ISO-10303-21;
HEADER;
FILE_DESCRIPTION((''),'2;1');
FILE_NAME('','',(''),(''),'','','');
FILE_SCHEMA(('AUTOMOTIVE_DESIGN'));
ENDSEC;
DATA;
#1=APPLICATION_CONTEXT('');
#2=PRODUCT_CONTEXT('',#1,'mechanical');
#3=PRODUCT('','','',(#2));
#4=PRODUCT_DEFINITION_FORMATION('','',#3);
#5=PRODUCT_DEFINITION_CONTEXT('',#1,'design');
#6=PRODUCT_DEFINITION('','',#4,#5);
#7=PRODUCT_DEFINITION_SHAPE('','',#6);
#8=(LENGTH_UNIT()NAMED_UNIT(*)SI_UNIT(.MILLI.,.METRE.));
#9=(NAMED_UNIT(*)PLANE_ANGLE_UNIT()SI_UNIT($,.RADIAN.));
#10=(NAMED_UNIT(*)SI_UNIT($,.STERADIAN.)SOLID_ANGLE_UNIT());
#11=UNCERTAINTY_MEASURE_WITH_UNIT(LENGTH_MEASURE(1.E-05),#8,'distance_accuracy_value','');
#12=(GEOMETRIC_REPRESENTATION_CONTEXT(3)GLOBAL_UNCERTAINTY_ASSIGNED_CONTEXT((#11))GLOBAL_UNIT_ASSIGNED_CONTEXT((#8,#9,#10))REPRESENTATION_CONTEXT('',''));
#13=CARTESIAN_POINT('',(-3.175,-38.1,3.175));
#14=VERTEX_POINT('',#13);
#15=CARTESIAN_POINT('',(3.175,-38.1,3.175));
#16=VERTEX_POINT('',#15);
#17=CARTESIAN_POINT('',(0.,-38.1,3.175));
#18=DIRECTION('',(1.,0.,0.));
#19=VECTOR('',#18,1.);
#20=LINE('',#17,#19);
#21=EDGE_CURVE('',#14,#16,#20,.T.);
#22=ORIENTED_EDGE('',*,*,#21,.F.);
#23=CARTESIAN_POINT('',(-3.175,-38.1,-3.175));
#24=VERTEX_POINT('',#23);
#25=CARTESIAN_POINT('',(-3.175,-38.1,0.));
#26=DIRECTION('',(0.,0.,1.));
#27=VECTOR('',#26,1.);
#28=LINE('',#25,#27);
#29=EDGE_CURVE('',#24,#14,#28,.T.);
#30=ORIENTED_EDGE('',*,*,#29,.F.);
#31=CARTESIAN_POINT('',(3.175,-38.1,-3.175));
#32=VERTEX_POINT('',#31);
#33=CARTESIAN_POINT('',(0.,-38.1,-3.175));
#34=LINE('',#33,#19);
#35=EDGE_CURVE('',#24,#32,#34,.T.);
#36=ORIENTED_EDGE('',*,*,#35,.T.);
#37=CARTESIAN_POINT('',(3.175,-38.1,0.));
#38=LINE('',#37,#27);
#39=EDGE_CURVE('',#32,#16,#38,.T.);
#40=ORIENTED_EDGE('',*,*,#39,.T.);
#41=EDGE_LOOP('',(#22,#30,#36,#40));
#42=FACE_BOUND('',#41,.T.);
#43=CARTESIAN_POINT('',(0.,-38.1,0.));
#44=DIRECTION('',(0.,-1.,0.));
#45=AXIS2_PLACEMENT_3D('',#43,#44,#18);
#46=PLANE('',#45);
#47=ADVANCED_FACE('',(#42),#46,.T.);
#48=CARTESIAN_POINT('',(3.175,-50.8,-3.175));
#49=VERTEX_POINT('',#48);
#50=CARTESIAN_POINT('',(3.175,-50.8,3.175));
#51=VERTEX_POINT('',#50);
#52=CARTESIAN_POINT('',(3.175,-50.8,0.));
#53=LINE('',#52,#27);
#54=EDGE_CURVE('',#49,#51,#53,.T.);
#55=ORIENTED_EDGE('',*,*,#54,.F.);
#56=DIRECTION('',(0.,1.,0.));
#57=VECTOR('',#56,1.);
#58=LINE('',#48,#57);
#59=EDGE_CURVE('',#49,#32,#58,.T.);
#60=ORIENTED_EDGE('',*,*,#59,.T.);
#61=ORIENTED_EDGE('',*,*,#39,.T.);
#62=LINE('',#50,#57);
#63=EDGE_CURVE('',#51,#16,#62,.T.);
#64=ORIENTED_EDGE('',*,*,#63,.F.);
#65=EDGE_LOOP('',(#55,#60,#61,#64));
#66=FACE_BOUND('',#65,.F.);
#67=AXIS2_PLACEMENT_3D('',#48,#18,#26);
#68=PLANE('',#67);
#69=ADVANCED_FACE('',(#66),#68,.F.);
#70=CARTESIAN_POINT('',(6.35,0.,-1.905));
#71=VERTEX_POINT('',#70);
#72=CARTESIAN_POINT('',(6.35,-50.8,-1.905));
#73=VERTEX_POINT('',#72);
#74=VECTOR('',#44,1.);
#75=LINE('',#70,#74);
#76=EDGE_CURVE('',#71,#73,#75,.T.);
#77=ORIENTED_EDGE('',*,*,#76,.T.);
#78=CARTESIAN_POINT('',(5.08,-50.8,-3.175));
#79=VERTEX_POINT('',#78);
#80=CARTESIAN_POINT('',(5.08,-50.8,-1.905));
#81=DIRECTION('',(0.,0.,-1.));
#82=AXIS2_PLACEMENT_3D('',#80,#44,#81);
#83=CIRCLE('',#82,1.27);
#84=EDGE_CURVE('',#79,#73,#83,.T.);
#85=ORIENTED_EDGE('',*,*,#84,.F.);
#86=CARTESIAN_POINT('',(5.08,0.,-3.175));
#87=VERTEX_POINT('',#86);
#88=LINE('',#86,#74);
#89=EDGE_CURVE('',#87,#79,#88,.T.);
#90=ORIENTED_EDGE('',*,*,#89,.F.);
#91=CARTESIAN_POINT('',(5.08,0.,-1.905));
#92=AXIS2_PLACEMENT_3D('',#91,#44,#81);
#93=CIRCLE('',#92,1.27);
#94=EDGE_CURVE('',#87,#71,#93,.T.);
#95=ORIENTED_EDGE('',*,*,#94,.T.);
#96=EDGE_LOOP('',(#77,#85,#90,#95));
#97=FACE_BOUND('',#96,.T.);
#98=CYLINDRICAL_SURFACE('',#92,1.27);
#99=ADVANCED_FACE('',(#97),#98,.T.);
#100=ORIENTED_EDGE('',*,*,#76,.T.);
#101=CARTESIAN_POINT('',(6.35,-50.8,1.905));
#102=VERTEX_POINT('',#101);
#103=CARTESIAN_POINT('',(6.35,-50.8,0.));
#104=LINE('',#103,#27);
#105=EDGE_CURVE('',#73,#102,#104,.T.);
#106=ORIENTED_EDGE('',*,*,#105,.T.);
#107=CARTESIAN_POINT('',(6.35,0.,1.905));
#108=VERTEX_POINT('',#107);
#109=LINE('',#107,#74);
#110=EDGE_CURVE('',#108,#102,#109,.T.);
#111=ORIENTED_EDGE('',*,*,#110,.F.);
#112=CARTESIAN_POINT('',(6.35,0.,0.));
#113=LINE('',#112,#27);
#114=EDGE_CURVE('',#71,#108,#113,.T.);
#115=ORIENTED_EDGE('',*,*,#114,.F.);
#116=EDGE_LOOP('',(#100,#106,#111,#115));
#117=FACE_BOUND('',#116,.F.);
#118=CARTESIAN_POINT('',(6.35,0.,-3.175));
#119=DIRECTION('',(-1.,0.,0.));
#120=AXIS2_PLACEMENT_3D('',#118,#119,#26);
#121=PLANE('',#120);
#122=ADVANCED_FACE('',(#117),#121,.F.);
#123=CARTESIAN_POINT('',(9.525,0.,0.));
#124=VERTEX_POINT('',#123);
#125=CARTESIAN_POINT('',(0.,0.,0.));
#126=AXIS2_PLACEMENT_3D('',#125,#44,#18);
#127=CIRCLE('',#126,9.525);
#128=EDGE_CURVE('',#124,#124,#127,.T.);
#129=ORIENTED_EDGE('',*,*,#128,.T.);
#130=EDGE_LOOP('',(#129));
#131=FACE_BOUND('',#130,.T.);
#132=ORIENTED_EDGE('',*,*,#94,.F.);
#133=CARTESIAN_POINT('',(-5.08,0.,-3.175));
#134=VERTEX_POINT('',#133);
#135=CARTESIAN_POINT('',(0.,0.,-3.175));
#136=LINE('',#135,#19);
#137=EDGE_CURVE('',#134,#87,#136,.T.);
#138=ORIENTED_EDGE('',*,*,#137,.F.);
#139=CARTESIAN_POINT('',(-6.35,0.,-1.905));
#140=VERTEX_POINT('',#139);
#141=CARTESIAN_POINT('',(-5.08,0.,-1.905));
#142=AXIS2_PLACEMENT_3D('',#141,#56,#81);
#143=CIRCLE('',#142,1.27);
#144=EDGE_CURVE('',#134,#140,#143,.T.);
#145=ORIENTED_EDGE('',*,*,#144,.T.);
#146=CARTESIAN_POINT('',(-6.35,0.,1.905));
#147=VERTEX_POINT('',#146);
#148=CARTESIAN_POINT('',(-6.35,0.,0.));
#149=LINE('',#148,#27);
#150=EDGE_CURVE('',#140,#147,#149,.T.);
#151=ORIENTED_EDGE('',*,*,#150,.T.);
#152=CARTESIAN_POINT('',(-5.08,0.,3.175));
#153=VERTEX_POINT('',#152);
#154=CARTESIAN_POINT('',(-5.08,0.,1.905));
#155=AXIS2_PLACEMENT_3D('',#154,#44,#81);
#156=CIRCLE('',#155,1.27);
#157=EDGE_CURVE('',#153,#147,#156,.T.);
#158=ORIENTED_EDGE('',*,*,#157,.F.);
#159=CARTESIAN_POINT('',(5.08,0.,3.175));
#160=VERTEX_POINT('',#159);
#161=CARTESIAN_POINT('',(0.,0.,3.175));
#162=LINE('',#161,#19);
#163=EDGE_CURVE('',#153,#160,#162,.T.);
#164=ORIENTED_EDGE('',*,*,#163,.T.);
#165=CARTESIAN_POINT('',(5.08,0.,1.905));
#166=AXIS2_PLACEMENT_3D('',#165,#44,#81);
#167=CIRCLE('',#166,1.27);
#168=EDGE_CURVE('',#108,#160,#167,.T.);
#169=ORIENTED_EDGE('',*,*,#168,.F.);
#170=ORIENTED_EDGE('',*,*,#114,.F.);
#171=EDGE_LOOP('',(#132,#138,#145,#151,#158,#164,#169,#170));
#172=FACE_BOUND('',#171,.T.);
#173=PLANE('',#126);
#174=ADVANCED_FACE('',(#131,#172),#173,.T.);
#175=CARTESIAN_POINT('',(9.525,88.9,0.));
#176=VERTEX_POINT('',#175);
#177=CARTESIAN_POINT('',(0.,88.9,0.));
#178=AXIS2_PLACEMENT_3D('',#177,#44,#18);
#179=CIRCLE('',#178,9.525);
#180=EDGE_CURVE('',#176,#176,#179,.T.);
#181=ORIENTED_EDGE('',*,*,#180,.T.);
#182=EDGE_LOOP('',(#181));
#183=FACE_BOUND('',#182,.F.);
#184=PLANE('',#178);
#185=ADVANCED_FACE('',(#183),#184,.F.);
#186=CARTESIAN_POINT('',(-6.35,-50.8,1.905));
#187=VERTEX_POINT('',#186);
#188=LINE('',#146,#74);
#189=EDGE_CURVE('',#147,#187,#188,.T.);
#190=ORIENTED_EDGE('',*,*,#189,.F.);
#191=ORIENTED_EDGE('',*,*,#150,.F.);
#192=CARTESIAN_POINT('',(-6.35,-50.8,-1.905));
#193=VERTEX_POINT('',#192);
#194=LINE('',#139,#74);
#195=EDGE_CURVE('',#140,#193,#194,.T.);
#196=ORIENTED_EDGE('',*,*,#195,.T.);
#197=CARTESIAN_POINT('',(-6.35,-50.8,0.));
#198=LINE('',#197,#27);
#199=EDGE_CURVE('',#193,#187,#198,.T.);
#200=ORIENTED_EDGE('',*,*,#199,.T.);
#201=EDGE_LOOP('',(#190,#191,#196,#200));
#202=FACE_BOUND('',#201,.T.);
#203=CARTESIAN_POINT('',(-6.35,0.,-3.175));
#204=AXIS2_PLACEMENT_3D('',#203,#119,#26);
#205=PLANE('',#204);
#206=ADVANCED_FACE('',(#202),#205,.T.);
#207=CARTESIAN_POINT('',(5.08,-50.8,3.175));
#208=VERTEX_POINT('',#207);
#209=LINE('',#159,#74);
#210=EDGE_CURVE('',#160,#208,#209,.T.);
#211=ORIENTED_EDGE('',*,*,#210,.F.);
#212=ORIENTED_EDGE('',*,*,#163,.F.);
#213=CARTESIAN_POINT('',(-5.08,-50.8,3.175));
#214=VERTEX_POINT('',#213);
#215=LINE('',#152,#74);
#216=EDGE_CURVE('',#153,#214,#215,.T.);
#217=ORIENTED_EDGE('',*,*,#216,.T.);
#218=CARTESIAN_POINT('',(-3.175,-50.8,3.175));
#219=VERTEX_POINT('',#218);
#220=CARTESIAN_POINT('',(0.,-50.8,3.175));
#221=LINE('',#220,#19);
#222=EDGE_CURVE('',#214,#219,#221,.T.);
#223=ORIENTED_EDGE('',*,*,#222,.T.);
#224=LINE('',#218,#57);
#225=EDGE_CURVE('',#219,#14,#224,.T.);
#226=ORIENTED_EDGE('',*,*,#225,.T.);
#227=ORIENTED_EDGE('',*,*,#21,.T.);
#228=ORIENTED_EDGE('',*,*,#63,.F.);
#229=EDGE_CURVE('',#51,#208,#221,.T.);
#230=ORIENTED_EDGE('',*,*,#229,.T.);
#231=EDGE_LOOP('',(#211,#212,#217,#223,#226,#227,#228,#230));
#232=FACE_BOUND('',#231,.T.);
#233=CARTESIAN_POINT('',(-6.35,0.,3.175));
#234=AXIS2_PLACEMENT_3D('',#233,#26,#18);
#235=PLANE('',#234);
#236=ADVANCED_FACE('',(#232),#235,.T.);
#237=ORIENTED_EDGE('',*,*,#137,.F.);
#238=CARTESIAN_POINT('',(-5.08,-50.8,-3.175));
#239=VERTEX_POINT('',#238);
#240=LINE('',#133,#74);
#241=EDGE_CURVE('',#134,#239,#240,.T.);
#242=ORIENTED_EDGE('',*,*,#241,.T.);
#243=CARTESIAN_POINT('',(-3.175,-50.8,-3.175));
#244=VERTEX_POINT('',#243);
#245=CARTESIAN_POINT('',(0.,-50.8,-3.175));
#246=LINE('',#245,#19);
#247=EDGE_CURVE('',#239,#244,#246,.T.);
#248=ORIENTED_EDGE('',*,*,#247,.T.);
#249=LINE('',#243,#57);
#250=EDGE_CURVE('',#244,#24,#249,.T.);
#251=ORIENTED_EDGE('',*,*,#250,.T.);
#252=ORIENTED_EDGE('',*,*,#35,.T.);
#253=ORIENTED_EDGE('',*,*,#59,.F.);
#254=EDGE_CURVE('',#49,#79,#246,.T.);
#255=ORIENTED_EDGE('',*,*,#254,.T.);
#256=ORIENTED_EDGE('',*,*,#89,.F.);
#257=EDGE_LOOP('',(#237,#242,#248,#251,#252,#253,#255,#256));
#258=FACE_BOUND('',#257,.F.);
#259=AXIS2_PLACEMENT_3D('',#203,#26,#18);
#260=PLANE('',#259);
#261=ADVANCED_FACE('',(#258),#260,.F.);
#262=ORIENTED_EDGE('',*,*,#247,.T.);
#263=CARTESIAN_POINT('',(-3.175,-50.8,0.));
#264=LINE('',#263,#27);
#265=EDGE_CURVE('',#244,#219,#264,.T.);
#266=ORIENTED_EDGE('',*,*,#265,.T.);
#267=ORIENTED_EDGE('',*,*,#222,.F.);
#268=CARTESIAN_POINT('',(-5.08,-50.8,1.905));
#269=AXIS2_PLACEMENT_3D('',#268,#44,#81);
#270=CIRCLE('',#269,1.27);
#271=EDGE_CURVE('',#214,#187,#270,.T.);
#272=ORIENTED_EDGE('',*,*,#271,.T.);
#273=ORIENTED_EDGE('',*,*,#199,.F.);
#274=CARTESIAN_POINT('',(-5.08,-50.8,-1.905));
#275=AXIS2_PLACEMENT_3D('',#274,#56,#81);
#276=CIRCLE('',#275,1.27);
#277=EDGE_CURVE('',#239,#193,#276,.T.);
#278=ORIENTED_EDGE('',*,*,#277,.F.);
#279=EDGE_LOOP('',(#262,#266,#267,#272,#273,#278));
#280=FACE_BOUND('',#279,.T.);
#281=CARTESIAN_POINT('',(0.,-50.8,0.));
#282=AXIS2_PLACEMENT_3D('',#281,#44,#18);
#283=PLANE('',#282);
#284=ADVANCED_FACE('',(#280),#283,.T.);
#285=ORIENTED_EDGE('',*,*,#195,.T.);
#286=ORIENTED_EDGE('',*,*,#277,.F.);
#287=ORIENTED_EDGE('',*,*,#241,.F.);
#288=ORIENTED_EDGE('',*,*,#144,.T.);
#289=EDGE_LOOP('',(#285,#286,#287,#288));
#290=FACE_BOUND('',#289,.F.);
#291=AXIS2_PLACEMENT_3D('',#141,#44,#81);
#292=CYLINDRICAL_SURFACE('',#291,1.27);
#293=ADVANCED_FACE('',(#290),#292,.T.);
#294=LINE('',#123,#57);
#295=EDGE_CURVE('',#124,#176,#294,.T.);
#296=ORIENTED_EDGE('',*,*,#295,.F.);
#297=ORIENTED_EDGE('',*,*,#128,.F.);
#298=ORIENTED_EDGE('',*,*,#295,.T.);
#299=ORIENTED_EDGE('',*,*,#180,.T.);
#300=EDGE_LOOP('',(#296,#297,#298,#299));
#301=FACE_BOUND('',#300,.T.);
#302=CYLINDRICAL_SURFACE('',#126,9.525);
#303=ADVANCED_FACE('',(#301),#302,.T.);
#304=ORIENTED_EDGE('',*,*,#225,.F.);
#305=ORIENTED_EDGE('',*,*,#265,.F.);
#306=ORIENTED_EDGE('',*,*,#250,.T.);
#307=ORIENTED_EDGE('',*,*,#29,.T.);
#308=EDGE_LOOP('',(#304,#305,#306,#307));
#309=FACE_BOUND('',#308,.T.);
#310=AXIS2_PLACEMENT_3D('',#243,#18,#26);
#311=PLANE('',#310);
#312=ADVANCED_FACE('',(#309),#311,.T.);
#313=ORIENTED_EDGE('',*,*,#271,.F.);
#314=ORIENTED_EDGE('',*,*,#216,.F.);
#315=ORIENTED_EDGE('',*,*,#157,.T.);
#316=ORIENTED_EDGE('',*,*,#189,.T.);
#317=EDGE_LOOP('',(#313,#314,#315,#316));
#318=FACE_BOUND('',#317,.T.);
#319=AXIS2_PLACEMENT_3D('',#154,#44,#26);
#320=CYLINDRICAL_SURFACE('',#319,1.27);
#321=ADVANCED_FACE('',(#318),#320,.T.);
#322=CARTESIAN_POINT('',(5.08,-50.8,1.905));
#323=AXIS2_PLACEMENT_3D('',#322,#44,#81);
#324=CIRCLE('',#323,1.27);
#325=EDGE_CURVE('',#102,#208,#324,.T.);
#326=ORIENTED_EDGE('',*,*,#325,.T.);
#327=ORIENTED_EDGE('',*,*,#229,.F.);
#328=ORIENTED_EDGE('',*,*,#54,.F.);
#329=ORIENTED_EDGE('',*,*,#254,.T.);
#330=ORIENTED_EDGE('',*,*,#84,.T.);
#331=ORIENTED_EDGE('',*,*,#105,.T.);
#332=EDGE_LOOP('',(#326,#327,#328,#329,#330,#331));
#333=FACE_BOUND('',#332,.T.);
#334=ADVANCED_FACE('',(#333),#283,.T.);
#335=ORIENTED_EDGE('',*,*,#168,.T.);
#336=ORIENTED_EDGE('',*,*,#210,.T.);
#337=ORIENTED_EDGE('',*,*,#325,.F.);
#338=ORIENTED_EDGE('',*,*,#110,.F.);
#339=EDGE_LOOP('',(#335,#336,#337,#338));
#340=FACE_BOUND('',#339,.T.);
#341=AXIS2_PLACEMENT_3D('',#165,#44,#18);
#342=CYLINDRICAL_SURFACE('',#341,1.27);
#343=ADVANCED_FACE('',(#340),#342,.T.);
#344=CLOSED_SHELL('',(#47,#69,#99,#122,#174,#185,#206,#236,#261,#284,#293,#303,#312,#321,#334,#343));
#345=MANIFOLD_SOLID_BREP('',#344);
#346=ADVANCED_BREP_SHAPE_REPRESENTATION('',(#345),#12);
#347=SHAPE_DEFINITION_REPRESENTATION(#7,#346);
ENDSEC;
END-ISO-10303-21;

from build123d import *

# Parameters (mm, degrees)
F0_R     = 9.525
F1_DEPTH = 88.9
F2_W     = 12.7
F2_H     = 6.35
F3_DEPTH = 50.8
F4_W     = 6.35
F4_H     = 6.35
F5_DEPTH = 12.7
F6_R     = 1.27


with BuildPart() as f1:
    # F0 (on Front) → F1 (new body)
    with BuildSketch(Plane.XZ):
        Circle(F0_R)
    extrude(amount=-F1_DEPTH)

    # F2 (on face) → F3 (join)
    with BuildSketch(Plane.XZ):
        Rectangle(F2_W, F2_H)
    extrude(amount=F3_DEPTH)

    # F4 (on face) → F5 (cut)
    with BuildSketch(Plane.XZ.offset(50.8)):
        Rectangle(F4_W, F4_H)
    extrude(amount=-F5_DEPTH, mode=Mode.SUBTRACT)

    # F6
    f6_edges = [f1.edges().sort_by_distance(p)[0] for p in [
        (6.35, -25.4, 3.175),
        (-6.35, -25.4, 3.175),
        (-6.35, -25.4, -3.175),
        (6.35, -25.4, -3.175),
    ]]
    fillet(f6_edges, radius=F6_R)


solid = f1.part
